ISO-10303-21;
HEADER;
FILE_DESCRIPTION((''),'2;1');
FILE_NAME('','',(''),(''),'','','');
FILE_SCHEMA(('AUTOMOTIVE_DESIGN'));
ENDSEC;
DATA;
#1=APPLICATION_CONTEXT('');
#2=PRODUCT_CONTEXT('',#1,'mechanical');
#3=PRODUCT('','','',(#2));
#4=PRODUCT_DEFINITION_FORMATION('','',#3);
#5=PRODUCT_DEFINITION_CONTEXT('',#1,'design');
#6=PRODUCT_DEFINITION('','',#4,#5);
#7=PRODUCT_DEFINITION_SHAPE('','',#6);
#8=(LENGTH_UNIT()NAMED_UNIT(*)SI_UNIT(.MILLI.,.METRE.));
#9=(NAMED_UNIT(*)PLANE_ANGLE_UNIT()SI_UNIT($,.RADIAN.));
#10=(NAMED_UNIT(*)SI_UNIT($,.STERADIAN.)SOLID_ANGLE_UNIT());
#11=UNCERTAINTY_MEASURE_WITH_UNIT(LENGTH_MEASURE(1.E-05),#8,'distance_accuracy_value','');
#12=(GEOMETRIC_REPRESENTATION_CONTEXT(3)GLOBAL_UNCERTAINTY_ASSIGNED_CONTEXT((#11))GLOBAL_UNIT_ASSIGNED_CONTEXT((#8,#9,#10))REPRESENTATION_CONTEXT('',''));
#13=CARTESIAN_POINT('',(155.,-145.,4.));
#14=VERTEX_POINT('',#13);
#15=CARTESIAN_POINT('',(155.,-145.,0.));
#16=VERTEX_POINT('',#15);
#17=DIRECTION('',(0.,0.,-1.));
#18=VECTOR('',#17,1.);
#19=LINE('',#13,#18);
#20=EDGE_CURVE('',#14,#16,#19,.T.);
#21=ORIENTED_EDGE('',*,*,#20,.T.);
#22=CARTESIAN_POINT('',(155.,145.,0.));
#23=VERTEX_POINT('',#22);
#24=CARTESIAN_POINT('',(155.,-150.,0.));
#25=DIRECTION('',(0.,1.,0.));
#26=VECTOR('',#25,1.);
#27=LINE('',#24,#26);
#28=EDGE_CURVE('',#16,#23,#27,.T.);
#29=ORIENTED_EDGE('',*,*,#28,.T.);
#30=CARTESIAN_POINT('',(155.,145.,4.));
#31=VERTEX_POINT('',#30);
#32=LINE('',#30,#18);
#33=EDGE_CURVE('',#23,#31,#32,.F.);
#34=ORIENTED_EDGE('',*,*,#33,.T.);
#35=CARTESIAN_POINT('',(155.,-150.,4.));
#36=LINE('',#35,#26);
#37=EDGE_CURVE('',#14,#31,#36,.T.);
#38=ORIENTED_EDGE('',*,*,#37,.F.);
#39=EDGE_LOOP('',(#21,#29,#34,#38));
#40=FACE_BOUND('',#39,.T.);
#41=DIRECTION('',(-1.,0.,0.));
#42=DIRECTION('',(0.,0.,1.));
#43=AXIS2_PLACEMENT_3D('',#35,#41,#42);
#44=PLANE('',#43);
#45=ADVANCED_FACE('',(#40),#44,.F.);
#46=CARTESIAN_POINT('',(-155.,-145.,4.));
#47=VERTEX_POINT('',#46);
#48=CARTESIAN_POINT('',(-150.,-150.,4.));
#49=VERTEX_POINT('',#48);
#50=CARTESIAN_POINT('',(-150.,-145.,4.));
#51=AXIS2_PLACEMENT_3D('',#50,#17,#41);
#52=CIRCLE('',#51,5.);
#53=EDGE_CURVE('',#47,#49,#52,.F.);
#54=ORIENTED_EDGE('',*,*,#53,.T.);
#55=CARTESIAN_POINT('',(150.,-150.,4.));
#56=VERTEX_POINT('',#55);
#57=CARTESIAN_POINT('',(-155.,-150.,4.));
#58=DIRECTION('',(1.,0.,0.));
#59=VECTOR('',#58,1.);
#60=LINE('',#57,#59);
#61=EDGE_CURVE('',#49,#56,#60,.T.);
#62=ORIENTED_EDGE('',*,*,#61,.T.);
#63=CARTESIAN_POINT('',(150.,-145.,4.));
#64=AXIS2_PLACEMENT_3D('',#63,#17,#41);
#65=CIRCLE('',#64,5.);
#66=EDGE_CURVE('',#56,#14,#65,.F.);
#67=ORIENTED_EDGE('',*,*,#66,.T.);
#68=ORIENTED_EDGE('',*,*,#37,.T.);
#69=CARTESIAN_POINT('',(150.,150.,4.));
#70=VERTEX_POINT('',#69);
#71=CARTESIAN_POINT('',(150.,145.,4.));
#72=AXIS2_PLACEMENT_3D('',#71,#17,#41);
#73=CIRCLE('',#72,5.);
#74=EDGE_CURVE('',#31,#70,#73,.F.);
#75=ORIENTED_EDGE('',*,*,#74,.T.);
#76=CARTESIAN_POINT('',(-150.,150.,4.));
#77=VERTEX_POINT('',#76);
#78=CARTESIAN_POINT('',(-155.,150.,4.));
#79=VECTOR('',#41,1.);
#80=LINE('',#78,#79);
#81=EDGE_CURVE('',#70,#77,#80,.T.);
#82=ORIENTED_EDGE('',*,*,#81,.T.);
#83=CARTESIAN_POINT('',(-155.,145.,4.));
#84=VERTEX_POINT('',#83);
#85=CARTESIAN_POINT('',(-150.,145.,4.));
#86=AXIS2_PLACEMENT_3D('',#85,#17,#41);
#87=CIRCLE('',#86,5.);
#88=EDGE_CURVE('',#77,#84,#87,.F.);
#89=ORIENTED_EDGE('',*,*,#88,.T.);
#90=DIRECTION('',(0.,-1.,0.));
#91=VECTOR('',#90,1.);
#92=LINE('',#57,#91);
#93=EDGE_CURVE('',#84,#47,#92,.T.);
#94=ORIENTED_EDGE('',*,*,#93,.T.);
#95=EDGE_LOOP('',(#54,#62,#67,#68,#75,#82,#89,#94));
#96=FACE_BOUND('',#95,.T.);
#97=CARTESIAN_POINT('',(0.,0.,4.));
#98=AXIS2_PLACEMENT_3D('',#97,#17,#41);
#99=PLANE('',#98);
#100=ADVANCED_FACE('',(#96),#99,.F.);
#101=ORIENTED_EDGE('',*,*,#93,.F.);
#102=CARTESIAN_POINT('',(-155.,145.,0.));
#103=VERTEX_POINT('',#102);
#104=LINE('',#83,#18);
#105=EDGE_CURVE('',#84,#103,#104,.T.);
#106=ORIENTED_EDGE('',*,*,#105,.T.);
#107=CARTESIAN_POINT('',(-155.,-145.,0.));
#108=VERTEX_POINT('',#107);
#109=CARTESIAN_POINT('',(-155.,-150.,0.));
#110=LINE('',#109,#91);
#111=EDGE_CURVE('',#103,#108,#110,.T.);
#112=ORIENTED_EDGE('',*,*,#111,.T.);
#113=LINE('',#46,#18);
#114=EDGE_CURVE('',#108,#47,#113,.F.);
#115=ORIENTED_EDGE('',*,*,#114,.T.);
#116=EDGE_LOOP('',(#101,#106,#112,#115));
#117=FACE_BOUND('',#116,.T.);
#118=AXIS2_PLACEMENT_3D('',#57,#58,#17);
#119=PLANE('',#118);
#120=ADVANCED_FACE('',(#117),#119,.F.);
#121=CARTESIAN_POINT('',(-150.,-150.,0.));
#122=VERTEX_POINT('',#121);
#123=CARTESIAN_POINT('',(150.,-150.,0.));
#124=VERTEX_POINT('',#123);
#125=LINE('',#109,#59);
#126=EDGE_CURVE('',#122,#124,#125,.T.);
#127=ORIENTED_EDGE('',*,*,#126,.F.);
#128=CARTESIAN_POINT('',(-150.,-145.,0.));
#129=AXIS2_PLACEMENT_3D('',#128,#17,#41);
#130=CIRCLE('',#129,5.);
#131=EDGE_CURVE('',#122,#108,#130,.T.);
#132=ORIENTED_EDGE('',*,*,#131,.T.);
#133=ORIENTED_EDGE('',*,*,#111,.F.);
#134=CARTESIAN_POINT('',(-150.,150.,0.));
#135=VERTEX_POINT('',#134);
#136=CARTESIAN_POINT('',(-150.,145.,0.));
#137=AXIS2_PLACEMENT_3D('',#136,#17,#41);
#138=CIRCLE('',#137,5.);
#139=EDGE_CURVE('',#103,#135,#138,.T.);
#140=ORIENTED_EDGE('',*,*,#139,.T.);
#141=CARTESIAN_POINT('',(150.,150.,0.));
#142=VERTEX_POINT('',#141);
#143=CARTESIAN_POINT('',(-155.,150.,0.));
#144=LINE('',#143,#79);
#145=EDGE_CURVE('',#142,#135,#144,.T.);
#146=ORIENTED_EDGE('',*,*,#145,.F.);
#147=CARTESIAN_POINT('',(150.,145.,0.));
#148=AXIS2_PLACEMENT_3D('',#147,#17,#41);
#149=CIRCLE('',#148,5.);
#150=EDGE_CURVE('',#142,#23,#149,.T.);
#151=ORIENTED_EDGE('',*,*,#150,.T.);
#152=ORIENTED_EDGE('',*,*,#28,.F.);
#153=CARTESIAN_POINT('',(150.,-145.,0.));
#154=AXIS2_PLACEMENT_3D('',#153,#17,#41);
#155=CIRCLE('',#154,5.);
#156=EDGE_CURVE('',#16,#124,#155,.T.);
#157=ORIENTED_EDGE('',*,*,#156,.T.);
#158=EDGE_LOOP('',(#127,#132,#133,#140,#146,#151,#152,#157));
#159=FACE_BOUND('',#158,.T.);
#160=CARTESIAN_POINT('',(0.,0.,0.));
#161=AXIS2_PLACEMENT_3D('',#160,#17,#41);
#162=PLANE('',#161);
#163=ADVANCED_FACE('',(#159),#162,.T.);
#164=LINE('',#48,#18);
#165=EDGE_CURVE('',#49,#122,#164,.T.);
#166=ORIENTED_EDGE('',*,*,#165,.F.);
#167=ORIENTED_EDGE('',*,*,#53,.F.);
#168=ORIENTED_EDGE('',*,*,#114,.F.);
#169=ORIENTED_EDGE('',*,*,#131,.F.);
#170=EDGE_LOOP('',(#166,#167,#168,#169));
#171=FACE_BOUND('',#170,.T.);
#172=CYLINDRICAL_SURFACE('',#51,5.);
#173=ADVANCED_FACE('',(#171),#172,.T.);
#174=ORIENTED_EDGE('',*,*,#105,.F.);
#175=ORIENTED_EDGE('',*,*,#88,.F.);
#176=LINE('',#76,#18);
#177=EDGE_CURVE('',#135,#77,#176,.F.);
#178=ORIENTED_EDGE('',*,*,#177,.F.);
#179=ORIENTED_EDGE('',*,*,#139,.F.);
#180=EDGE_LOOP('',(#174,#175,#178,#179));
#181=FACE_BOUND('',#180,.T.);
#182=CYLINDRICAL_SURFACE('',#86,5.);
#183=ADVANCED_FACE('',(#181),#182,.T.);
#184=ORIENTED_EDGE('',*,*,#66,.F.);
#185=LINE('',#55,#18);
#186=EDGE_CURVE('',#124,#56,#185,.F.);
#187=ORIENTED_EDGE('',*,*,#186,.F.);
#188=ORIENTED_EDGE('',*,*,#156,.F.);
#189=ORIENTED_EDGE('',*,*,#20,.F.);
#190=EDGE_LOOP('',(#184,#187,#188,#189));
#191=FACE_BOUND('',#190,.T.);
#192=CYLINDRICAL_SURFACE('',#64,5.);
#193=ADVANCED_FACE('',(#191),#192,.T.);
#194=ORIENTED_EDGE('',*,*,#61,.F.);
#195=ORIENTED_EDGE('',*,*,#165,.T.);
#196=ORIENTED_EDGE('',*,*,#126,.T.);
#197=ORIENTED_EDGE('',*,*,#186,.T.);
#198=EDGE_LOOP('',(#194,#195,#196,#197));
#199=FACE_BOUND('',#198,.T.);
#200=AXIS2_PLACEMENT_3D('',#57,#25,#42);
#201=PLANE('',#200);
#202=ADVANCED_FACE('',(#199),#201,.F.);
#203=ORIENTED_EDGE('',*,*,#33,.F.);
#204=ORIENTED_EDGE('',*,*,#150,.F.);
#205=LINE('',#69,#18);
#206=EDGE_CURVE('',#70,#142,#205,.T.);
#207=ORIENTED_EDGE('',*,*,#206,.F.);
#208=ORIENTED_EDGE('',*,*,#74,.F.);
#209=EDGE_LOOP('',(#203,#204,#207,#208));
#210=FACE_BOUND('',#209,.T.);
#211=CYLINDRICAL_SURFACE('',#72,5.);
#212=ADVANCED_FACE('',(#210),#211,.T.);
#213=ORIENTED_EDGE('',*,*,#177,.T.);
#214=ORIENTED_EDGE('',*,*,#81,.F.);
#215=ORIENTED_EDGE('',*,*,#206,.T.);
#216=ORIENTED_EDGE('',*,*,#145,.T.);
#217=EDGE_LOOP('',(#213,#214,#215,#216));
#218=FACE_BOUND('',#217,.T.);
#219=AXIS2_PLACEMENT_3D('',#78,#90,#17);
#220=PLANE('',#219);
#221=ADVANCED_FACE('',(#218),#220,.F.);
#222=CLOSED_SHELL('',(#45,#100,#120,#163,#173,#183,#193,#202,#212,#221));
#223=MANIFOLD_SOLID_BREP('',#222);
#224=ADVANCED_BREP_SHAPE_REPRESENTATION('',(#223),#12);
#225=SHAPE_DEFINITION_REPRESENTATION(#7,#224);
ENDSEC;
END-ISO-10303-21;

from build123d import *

# Parameters (mm, degrees)
SKETCH_1_W      = 310
SKETCH_1_H      = 300
EXTRUDE_1_DEPTH = 4
FILLET_1_R      = 5


with BuildPart() as part:
    # ｽｹｯﾁ1 → ﾎﾞｽ - 押し出し1 (new body)
    with BuildSketch(Plane.XY):
        Rectangle(SKETCH_1_W, SKETCH_1_H)
    extrude(amount=EXTRUDE_1_DEPTH)

    # ﾌｨﾚｯﾄ1
    fillet_1_edges = [part.edges().sort_by_distance(p)[0] for p in [
        (155, -150, 2),
        (-155, -150, 2),
        (-155, 150, 2),
        (155, 150, 2),
    ]]
    fillet(fillet_1_edges, radius=FILLET_1_R)


solid = part.part
